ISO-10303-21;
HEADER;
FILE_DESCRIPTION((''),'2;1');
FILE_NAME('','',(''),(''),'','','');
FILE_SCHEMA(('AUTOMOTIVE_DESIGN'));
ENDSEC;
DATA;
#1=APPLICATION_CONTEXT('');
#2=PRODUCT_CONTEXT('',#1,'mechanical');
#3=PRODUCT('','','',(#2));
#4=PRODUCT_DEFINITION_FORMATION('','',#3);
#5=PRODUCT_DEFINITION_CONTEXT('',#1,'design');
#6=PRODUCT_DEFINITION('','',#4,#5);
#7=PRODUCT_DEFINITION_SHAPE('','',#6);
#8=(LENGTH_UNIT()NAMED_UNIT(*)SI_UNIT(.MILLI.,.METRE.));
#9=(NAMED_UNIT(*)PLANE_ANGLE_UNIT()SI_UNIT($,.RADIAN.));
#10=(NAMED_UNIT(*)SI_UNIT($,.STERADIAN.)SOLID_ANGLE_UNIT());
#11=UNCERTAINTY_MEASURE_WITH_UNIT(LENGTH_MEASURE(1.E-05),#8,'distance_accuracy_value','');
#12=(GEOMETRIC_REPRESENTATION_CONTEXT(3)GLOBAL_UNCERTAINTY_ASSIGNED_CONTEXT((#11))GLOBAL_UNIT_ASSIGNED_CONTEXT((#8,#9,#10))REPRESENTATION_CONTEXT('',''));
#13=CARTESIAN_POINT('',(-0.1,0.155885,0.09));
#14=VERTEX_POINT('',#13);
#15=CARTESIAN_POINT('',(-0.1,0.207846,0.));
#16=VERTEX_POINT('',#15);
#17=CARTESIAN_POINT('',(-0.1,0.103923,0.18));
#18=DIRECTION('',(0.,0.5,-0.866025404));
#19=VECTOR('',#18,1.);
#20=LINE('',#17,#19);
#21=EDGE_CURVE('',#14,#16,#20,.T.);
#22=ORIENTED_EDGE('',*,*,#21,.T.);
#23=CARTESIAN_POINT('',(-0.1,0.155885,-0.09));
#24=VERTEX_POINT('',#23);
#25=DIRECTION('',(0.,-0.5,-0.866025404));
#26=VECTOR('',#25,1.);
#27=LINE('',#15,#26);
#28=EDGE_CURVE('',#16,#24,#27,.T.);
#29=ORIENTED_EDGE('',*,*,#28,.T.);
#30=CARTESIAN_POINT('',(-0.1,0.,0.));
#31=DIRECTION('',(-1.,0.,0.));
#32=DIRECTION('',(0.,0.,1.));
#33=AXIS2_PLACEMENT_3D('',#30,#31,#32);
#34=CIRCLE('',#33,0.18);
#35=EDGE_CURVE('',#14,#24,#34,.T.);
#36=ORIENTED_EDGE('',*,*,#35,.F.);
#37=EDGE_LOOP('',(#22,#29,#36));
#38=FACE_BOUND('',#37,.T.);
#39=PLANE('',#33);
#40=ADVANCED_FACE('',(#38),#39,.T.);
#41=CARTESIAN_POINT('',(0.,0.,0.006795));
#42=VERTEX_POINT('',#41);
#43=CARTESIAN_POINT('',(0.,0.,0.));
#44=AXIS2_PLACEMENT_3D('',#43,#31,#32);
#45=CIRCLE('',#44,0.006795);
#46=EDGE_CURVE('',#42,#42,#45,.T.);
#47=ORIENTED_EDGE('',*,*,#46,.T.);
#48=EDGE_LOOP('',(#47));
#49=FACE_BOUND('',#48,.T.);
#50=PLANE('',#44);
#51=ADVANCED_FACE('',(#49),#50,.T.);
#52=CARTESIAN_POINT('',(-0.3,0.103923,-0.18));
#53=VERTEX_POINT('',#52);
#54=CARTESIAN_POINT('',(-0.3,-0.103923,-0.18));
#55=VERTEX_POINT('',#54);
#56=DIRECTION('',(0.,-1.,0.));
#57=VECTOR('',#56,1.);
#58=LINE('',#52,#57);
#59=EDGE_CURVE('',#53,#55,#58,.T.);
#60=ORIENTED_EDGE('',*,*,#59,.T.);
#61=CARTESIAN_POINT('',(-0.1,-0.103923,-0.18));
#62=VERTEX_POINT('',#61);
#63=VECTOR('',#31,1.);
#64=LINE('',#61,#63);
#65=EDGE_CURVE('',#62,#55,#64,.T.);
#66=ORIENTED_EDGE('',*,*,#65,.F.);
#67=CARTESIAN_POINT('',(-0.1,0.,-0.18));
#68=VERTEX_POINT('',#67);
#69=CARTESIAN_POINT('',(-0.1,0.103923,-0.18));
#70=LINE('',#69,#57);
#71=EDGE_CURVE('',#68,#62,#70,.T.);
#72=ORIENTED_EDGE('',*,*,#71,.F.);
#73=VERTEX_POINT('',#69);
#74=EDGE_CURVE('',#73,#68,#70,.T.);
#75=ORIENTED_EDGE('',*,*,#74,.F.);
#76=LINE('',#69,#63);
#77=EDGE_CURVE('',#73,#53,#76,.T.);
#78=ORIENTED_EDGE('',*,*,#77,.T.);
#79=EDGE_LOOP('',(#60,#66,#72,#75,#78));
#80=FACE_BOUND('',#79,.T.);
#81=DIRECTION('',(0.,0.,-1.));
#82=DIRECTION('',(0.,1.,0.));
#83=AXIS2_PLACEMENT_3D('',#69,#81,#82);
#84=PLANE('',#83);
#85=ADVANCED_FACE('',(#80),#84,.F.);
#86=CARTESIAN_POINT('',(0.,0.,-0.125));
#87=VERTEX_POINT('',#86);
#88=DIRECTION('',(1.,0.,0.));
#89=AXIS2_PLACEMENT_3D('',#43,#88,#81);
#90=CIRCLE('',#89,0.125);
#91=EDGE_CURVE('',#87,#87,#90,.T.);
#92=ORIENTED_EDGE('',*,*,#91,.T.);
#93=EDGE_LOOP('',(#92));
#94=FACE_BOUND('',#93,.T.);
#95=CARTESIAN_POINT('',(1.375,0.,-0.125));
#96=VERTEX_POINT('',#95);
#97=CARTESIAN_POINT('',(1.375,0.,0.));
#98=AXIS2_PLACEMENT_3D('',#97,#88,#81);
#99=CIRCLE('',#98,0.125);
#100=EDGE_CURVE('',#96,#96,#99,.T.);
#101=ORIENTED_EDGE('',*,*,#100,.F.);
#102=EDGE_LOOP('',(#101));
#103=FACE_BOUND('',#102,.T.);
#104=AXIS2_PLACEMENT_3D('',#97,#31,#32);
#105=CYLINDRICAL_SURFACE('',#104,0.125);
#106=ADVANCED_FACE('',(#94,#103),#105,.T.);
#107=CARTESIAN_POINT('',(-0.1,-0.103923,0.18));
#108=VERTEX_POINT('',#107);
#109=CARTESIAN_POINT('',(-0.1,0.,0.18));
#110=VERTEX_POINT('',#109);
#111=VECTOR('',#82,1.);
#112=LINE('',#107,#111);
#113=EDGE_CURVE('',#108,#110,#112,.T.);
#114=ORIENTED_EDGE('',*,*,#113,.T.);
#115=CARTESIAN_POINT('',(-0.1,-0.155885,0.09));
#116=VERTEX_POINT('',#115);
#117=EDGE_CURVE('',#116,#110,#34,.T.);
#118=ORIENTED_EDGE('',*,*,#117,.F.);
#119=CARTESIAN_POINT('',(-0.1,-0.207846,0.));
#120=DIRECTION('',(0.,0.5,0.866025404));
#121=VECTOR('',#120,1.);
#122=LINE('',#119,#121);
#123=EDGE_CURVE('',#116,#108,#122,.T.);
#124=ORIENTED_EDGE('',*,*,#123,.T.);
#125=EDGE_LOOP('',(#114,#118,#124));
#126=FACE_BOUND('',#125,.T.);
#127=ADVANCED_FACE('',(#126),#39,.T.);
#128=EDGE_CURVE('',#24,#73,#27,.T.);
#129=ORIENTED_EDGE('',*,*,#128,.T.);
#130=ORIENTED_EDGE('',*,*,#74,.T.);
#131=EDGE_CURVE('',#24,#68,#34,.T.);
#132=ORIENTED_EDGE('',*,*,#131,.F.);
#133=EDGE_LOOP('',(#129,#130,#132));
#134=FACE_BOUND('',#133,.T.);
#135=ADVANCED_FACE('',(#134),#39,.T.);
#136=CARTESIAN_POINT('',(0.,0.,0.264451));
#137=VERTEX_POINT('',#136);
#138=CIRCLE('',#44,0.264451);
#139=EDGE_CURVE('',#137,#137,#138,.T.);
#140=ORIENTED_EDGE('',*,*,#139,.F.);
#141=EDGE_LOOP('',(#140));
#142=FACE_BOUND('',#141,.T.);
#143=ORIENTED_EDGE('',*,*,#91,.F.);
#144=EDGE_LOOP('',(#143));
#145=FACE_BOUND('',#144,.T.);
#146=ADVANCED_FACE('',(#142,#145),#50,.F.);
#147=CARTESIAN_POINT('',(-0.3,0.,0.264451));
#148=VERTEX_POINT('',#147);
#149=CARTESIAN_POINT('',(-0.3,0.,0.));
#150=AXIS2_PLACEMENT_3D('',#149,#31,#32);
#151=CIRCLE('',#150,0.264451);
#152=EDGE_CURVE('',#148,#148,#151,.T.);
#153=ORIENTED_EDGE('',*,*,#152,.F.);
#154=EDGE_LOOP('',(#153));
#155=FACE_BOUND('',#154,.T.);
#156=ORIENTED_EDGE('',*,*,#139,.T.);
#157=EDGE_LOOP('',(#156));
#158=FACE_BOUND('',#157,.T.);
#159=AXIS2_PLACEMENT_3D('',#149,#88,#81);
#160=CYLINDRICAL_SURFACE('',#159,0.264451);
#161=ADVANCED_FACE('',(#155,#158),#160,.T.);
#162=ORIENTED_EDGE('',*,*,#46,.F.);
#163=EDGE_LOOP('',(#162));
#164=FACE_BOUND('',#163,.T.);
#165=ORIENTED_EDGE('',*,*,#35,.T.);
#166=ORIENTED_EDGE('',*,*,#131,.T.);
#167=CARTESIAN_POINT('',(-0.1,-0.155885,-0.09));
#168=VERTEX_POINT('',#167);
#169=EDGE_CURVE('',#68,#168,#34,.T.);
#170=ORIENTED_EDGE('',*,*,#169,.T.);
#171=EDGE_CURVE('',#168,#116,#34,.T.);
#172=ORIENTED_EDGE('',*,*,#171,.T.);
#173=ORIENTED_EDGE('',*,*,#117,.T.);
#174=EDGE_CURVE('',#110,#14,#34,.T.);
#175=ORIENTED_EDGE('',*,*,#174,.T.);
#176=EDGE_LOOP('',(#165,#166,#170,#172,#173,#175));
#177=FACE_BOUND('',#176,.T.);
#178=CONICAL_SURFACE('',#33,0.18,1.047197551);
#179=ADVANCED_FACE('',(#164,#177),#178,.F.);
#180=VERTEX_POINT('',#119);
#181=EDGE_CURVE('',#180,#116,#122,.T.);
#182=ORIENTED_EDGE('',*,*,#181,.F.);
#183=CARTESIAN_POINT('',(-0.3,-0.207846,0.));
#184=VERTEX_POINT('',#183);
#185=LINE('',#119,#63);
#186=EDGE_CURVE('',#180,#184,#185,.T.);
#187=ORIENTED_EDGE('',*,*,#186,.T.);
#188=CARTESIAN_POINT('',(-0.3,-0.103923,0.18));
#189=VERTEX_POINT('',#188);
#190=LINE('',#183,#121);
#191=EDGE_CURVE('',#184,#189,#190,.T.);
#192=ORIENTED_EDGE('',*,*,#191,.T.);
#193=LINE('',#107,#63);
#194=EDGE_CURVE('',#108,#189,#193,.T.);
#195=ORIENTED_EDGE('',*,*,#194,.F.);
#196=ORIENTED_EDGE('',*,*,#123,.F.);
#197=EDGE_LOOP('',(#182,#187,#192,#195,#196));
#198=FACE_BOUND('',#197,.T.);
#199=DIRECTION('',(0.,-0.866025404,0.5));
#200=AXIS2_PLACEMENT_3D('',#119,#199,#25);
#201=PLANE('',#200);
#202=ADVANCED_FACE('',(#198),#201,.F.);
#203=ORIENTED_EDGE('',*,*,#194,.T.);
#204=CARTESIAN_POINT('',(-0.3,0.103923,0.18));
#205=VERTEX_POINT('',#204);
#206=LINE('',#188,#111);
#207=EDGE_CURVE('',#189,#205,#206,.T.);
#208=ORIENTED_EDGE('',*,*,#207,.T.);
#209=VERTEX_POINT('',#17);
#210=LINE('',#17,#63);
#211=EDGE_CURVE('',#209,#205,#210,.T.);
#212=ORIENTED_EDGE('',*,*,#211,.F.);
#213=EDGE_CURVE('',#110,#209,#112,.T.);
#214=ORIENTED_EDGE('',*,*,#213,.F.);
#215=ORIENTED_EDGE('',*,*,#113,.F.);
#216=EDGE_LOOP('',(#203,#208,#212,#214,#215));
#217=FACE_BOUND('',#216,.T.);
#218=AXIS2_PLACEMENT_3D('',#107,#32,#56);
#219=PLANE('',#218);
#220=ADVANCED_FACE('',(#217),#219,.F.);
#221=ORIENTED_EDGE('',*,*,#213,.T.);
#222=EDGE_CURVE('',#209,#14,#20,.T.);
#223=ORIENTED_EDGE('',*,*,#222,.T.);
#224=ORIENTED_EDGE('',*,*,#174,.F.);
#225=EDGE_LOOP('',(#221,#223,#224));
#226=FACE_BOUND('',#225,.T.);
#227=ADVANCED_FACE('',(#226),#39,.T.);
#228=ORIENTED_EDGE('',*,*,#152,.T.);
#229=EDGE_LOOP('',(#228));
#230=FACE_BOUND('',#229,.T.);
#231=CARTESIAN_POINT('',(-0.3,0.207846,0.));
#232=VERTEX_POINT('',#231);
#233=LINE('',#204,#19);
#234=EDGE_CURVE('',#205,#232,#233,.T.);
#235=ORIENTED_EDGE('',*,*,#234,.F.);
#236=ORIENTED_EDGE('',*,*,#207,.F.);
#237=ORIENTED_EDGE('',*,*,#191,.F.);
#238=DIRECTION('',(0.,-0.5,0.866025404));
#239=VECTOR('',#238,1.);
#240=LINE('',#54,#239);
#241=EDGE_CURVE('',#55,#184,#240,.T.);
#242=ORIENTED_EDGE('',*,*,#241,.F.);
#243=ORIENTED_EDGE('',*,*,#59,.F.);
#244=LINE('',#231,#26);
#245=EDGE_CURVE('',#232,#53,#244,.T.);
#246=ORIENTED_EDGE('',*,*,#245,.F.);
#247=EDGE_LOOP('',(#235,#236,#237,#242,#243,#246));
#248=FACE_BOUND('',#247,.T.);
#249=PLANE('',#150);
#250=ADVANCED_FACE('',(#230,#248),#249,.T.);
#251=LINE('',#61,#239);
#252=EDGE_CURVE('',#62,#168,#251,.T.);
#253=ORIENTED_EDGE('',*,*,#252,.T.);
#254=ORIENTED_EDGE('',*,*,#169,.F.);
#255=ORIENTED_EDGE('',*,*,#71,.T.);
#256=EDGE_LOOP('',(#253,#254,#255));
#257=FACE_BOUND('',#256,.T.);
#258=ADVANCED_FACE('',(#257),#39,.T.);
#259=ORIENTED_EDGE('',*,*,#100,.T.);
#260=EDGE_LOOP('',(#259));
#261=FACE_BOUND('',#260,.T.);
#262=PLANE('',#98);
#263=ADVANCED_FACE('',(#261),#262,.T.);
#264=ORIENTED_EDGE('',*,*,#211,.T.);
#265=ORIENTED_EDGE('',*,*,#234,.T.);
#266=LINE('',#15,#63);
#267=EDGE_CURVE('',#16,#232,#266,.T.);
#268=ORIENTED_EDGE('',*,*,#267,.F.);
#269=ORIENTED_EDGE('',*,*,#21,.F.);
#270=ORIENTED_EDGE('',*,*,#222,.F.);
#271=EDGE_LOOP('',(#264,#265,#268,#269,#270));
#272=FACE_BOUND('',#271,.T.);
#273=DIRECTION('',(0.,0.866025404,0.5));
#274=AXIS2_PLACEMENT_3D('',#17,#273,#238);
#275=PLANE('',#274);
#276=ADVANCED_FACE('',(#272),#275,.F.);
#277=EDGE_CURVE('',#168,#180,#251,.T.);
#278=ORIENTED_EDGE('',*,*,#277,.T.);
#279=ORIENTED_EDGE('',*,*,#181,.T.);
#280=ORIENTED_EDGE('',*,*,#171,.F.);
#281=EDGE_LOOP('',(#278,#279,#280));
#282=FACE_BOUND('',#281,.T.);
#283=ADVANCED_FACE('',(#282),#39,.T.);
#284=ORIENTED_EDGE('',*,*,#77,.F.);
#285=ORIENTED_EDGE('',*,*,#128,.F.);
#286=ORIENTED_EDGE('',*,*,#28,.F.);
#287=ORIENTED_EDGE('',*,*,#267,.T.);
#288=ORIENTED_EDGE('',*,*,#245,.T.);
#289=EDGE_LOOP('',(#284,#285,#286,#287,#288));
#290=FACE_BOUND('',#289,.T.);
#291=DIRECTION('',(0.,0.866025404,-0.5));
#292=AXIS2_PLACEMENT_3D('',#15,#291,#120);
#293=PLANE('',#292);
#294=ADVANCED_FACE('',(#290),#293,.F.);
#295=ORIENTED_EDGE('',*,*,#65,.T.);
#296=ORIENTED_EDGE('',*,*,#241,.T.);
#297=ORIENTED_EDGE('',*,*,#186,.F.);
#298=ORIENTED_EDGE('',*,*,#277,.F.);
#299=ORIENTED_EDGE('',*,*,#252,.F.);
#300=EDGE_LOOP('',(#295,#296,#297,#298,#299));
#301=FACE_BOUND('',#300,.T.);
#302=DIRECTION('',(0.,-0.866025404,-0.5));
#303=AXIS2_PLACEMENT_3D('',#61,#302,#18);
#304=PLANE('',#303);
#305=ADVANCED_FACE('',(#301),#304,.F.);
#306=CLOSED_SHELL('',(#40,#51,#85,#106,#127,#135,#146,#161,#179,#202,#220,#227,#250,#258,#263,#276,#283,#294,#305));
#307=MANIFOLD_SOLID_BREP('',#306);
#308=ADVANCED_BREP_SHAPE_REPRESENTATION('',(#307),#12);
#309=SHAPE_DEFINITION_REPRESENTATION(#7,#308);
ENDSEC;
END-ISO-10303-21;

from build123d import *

# Parameters (mm, degrees)
SKETCH1_R           = 0.125
BOSS_EXTRUDE1_DEPTH = 1.375
SKETCH2_R           = 0.264451341
BOSS_EXTRUDE2_DEPTH = 0.3
CUT_EXTRUDE1_DEPTH  = 0.2
SKETCH4_R           = 0.18
CUT_EXTRUDE2_DEPTH  = 0.1
CUT_EXTRUDE2_TAPER  = 60


with BuildPart() as part:
    # Sketch1 → Boss-Extrude1 (new body)
    with BuildSketch(Plane(origin=(0, 0, 0), x_dir=(0, 0, -1), z_dir=(1, 0, 0))):
        Circle(SKETCH1_R)
    extrude(amount=BOSS_EXTRUDE1_DEPTH)

    # Sketch2 → Boss-Extrude2 (add)
    with BuildSketch(Plane.ZY):
        Circle(SKETCH2_R)
    extrude(amount=BOSS_EXTRUDE2_DEPTH)

    # Sketch3 → Cut-Extrude1 (cut)
    with BuildSketch(Plane.ZY.offset(0.3)):
        Polygon((0, 0.207846097), (-0.18, 0.103923048), (-0.18, -0.103923048), (0, -0.207846097), (0.18, -0.103923048), (0.18, 0.103923048), align=None)
    extrude(amount=-CUT_EXTRUDE1_DEPTH, mode=Mode.SUBTRACT)

    # Sketch4 → Cut-Extrude2 (cut)
    with BuildSketch(Plane.ZY.offset(0.1)):
        Circle(SKETCH4_R)
    extrude(amount=-CUT_EXTRUDE2_DEPTH, taper=CUT_EXTRUDE2_TAPER, mode=Mode.SUBTRACT)


solid = part.part
